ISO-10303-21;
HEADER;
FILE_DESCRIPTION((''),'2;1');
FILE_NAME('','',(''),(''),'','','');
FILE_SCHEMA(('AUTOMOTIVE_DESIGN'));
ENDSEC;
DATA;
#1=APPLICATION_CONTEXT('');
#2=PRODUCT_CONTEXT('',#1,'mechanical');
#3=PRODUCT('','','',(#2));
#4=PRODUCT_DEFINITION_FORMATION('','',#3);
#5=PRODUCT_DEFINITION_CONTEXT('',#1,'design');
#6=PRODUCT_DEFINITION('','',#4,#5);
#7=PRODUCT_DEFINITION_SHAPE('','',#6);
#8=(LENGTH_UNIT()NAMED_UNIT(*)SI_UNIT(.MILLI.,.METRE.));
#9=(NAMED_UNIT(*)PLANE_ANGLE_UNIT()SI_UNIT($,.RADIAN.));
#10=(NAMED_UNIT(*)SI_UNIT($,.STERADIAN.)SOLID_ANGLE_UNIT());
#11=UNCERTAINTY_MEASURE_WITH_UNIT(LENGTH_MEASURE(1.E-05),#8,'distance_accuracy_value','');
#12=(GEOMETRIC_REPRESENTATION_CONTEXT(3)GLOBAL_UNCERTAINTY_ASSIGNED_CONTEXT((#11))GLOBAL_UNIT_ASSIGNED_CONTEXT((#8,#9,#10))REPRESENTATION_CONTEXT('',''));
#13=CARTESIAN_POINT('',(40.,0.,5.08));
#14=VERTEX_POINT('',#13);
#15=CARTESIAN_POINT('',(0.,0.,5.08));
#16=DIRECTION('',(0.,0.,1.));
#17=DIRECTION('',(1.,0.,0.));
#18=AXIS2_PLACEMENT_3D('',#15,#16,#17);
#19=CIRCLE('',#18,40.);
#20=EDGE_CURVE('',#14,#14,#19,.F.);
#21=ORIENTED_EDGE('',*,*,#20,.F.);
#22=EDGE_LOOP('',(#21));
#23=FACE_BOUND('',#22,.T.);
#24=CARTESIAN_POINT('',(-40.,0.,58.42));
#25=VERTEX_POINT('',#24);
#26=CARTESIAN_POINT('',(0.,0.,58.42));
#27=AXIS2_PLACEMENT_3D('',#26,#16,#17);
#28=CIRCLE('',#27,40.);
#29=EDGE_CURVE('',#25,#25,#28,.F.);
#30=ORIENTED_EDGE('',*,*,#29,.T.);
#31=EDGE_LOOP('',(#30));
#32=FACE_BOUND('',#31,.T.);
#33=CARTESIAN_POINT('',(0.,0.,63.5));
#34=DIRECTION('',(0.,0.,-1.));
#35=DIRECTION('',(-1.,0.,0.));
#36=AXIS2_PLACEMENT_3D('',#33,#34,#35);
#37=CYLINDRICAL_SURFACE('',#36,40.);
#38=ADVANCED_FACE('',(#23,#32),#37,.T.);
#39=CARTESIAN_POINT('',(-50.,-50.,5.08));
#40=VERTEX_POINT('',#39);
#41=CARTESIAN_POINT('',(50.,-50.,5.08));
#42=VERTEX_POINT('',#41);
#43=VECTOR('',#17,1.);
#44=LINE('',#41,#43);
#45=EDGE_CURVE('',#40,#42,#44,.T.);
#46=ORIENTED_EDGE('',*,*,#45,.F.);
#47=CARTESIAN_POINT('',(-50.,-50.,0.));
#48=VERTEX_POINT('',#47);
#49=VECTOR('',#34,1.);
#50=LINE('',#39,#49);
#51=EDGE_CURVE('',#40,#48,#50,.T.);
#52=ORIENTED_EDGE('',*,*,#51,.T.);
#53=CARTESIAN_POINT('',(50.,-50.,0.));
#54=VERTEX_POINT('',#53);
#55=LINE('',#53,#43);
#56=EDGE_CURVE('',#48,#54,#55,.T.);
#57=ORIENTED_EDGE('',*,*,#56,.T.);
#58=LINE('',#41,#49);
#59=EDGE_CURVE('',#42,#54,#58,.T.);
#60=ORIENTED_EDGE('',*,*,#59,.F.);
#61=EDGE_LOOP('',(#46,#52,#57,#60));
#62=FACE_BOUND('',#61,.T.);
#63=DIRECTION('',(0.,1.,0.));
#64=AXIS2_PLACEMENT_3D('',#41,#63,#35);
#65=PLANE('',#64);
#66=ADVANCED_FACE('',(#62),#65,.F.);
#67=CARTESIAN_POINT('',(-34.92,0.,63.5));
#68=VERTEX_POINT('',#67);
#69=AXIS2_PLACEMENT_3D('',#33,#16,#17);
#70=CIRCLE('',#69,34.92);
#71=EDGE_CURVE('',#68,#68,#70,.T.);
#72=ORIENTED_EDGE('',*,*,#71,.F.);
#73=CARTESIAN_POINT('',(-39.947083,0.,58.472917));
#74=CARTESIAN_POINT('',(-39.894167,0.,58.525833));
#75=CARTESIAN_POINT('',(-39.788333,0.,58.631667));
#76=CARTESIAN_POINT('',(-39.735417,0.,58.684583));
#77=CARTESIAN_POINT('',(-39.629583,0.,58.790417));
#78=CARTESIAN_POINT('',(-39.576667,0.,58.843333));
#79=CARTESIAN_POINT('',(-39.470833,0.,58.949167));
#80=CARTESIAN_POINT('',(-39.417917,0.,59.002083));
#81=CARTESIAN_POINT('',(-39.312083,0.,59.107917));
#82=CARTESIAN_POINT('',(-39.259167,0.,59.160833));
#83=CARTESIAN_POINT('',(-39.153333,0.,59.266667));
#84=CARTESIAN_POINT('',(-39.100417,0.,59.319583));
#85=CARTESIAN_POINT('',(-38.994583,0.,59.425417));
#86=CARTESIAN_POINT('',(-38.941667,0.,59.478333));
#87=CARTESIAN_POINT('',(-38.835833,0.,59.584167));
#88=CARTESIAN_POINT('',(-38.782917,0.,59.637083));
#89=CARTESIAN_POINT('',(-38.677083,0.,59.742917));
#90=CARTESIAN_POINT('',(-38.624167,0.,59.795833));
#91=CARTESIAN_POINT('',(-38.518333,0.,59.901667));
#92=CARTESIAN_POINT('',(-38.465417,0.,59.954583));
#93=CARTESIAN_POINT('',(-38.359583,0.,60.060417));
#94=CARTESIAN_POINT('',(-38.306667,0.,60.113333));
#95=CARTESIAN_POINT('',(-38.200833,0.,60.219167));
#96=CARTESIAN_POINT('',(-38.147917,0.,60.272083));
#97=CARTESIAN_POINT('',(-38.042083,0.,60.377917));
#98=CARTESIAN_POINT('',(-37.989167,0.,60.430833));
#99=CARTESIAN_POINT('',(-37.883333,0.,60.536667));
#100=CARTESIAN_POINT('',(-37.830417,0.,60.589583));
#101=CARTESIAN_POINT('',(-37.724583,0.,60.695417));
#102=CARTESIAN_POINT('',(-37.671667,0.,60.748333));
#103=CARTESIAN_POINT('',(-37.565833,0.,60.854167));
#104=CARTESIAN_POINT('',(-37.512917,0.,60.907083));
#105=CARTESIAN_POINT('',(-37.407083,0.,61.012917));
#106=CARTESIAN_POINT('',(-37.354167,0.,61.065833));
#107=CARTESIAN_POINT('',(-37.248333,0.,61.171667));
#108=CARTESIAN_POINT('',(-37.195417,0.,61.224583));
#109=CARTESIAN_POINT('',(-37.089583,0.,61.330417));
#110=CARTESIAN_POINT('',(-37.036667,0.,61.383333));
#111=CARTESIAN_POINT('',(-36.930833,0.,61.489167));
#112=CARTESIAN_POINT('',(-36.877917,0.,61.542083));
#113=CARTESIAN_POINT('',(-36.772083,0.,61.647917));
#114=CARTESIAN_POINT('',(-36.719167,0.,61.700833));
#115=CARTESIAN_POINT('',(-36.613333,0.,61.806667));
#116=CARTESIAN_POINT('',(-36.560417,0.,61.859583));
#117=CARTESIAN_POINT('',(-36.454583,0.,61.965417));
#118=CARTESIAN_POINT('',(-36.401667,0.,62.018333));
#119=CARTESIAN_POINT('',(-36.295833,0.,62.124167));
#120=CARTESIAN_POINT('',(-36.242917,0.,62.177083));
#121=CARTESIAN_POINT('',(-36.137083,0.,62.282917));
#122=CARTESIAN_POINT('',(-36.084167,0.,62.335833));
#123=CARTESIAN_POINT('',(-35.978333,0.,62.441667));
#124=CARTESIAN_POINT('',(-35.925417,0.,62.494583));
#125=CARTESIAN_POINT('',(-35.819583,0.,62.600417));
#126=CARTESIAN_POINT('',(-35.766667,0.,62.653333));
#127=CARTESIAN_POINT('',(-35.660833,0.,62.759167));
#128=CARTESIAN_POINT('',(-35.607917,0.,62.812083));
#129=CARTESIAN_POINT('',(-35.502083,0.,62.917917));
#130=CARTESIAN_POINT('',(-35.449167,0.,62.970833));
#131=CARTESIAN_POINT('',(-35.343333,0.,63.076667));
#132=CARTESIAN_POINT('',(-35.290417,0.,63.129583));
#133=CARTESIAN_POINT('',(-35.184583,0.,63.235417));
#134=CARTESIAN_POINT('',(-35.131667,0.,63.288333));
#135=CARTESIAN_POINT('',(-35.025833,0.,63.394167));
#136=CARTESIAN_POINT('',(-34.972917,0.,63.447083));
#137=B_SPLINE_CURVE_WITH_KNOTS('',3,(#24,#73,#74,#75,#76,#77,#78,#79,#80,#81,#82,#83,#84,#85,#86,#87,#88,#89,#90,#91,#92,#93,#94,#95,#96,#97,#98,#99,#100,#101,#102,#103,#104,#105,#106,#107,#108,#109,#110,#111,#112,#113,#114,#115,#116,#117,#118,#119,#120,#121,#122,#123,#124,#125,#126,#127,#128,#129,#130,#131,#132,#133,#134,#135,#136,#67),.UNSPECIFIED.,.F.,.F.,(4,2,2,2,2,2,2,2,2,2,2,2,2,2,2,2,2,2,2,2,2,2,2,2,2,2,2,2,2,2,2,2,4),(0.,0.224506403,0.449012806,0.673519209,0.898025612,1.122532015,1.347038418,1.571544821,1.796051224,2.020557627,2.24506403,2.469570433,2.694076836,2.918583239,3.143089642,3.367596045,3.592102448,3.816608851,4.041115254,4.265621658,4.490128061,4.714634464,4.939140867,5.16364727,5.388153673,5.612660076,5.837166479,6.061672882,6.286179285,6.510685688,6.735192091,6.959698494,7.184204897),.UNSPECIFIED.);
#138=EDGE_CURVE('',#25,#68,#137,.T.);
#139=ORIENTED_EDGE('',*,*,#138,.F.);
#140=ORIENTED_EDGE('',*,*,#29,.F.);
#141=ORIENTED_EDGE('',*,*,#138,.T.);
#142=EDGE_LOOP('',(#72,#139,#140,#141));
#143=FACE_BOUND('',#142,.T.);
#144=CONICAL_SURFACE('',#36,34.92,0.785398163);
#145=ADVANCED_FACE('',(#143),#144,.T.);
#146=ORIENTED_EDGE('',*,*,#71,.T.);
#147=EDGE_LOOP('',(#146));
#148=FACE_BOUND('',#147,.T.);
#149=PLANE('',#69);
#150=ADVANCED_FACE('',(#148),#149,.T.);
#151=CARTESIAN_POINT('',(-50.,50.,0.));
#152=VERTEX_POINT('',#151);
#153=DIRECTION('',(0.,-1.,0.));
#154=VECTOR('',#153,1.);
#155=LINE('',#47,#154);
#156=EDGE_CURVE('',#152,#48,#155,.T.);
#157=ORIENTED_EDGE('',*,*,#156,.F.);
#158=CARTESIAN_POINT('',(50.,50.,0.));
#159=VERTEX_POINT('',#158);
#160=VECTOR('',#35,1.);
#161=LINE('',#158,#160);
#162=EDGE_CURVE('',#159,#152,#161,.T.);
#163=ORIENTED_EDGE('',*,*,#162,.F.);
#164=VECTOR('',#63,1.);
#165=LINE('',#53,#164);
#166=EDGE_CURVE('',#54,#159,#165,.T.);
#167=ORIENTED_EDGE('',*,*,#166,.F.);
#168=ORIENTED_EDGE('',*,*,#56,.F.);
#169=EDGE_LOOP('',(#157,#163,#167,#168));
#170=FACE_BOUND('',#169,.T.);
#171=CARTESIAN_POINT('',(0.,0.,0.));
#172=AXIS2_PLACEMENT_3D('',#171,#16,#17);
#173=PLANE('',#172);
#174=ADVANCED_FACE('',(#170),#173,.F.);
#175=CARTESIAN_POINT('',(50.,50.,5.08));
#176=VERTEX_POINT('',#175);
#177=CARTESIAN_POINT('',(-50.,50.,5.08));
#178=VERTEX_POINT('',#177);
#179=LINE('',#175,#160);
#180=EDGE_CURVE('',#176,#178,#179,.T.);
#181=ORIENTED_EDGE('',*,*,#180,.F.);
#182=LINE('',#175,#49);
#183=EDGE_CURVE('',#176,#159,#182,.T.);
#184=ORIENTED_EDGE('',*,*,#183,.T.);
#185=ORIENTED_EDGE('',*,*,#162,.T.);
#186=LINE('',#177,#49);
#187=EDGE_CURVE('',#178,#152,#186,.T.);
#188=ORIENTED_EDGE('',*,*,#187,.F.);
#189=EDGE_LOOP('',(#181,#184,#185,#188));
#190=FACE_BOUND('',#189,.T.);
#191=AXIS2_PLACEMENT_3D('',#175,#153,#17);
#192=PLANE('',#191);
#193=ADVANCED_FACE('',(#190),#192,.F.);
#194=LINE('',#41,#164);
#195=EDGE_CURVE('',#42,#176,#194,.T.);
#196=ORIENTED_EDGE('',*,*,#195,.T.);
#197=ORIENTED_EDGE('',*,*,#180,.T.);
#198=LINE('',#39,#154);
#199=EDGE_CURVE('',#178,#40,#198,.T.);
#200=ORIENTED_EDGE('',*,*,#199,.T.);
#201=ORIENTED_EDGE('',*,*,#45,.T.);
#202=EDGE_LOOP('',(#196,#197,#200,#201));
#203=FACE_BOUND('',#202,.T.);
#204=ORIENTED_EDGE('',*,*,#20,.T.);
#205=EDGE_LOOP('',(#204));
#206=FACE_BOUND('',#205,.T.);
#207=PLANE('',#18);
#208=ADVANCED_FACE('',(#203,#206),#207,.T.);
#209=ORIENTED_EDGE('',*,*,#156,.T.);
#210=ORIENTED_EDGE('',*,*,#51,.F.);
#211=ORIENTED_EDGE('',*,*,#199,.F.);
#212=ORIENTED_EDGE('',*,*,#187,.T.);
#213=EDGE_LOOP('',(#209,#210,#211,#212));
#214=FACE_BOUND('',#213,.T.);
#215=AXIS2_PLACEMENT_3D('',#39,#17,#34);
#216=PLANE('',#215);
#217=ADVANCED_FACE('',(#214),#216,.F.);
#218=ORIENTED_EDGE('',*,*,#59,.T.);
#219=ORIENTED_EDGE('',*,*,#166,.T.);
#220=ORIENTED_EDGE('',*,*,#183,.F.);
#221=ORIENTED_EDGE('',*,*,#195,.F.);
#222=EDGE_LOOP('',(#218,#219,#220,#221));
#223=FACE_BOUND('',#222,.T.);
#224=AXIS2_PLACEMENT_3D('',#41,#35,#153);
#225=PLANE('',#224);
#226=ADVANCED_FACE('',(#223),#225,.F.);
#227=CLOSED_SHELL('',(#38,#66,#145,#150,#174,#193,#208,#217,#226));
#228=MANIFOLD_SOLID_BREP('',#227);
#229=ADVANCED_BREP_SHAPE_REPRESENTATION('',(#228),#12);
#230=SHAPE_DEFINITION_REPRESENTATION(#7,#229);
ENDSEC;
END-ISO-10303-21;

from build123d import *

# Parameters (mm, degrees)
SKETCH1_W           = 100
SKETCH1_H           = 100
BOSS_EXTRUDE1_DEPTH = 5.08
SKETCH2_R           = 40
BOSS_EXTRUDE2_DEPTH = 63.5
CHAMFER1_SIZE       = 5.08


with BuildPart() as part:
    # Sketch1 → Boss-Extrude1 (new body)
    with BuildSketch(Plane.XY):
        Rectangle(SKETCH1_W, SKETCH1_H)
    extrude(amount=BOSS_EXTRUDE1_DEPTH)

    # Sketch2 → Boss-Extrude2 (add)
    with BuildSketch(Plane.XY):
        Circle(SKETCH2_R)
    extrude(amount=BOSS_EXTRUDE2_DEPTH)

    # Chamfer1
    chamfer1_edges = [part.edges().sort_by_distance(p)[0] for p in [
        (-40, 0, 63.5),
    ]]
    chamfer(chamfer1_edges, length=CHAMFER1_SIZE)


solid = part.part
